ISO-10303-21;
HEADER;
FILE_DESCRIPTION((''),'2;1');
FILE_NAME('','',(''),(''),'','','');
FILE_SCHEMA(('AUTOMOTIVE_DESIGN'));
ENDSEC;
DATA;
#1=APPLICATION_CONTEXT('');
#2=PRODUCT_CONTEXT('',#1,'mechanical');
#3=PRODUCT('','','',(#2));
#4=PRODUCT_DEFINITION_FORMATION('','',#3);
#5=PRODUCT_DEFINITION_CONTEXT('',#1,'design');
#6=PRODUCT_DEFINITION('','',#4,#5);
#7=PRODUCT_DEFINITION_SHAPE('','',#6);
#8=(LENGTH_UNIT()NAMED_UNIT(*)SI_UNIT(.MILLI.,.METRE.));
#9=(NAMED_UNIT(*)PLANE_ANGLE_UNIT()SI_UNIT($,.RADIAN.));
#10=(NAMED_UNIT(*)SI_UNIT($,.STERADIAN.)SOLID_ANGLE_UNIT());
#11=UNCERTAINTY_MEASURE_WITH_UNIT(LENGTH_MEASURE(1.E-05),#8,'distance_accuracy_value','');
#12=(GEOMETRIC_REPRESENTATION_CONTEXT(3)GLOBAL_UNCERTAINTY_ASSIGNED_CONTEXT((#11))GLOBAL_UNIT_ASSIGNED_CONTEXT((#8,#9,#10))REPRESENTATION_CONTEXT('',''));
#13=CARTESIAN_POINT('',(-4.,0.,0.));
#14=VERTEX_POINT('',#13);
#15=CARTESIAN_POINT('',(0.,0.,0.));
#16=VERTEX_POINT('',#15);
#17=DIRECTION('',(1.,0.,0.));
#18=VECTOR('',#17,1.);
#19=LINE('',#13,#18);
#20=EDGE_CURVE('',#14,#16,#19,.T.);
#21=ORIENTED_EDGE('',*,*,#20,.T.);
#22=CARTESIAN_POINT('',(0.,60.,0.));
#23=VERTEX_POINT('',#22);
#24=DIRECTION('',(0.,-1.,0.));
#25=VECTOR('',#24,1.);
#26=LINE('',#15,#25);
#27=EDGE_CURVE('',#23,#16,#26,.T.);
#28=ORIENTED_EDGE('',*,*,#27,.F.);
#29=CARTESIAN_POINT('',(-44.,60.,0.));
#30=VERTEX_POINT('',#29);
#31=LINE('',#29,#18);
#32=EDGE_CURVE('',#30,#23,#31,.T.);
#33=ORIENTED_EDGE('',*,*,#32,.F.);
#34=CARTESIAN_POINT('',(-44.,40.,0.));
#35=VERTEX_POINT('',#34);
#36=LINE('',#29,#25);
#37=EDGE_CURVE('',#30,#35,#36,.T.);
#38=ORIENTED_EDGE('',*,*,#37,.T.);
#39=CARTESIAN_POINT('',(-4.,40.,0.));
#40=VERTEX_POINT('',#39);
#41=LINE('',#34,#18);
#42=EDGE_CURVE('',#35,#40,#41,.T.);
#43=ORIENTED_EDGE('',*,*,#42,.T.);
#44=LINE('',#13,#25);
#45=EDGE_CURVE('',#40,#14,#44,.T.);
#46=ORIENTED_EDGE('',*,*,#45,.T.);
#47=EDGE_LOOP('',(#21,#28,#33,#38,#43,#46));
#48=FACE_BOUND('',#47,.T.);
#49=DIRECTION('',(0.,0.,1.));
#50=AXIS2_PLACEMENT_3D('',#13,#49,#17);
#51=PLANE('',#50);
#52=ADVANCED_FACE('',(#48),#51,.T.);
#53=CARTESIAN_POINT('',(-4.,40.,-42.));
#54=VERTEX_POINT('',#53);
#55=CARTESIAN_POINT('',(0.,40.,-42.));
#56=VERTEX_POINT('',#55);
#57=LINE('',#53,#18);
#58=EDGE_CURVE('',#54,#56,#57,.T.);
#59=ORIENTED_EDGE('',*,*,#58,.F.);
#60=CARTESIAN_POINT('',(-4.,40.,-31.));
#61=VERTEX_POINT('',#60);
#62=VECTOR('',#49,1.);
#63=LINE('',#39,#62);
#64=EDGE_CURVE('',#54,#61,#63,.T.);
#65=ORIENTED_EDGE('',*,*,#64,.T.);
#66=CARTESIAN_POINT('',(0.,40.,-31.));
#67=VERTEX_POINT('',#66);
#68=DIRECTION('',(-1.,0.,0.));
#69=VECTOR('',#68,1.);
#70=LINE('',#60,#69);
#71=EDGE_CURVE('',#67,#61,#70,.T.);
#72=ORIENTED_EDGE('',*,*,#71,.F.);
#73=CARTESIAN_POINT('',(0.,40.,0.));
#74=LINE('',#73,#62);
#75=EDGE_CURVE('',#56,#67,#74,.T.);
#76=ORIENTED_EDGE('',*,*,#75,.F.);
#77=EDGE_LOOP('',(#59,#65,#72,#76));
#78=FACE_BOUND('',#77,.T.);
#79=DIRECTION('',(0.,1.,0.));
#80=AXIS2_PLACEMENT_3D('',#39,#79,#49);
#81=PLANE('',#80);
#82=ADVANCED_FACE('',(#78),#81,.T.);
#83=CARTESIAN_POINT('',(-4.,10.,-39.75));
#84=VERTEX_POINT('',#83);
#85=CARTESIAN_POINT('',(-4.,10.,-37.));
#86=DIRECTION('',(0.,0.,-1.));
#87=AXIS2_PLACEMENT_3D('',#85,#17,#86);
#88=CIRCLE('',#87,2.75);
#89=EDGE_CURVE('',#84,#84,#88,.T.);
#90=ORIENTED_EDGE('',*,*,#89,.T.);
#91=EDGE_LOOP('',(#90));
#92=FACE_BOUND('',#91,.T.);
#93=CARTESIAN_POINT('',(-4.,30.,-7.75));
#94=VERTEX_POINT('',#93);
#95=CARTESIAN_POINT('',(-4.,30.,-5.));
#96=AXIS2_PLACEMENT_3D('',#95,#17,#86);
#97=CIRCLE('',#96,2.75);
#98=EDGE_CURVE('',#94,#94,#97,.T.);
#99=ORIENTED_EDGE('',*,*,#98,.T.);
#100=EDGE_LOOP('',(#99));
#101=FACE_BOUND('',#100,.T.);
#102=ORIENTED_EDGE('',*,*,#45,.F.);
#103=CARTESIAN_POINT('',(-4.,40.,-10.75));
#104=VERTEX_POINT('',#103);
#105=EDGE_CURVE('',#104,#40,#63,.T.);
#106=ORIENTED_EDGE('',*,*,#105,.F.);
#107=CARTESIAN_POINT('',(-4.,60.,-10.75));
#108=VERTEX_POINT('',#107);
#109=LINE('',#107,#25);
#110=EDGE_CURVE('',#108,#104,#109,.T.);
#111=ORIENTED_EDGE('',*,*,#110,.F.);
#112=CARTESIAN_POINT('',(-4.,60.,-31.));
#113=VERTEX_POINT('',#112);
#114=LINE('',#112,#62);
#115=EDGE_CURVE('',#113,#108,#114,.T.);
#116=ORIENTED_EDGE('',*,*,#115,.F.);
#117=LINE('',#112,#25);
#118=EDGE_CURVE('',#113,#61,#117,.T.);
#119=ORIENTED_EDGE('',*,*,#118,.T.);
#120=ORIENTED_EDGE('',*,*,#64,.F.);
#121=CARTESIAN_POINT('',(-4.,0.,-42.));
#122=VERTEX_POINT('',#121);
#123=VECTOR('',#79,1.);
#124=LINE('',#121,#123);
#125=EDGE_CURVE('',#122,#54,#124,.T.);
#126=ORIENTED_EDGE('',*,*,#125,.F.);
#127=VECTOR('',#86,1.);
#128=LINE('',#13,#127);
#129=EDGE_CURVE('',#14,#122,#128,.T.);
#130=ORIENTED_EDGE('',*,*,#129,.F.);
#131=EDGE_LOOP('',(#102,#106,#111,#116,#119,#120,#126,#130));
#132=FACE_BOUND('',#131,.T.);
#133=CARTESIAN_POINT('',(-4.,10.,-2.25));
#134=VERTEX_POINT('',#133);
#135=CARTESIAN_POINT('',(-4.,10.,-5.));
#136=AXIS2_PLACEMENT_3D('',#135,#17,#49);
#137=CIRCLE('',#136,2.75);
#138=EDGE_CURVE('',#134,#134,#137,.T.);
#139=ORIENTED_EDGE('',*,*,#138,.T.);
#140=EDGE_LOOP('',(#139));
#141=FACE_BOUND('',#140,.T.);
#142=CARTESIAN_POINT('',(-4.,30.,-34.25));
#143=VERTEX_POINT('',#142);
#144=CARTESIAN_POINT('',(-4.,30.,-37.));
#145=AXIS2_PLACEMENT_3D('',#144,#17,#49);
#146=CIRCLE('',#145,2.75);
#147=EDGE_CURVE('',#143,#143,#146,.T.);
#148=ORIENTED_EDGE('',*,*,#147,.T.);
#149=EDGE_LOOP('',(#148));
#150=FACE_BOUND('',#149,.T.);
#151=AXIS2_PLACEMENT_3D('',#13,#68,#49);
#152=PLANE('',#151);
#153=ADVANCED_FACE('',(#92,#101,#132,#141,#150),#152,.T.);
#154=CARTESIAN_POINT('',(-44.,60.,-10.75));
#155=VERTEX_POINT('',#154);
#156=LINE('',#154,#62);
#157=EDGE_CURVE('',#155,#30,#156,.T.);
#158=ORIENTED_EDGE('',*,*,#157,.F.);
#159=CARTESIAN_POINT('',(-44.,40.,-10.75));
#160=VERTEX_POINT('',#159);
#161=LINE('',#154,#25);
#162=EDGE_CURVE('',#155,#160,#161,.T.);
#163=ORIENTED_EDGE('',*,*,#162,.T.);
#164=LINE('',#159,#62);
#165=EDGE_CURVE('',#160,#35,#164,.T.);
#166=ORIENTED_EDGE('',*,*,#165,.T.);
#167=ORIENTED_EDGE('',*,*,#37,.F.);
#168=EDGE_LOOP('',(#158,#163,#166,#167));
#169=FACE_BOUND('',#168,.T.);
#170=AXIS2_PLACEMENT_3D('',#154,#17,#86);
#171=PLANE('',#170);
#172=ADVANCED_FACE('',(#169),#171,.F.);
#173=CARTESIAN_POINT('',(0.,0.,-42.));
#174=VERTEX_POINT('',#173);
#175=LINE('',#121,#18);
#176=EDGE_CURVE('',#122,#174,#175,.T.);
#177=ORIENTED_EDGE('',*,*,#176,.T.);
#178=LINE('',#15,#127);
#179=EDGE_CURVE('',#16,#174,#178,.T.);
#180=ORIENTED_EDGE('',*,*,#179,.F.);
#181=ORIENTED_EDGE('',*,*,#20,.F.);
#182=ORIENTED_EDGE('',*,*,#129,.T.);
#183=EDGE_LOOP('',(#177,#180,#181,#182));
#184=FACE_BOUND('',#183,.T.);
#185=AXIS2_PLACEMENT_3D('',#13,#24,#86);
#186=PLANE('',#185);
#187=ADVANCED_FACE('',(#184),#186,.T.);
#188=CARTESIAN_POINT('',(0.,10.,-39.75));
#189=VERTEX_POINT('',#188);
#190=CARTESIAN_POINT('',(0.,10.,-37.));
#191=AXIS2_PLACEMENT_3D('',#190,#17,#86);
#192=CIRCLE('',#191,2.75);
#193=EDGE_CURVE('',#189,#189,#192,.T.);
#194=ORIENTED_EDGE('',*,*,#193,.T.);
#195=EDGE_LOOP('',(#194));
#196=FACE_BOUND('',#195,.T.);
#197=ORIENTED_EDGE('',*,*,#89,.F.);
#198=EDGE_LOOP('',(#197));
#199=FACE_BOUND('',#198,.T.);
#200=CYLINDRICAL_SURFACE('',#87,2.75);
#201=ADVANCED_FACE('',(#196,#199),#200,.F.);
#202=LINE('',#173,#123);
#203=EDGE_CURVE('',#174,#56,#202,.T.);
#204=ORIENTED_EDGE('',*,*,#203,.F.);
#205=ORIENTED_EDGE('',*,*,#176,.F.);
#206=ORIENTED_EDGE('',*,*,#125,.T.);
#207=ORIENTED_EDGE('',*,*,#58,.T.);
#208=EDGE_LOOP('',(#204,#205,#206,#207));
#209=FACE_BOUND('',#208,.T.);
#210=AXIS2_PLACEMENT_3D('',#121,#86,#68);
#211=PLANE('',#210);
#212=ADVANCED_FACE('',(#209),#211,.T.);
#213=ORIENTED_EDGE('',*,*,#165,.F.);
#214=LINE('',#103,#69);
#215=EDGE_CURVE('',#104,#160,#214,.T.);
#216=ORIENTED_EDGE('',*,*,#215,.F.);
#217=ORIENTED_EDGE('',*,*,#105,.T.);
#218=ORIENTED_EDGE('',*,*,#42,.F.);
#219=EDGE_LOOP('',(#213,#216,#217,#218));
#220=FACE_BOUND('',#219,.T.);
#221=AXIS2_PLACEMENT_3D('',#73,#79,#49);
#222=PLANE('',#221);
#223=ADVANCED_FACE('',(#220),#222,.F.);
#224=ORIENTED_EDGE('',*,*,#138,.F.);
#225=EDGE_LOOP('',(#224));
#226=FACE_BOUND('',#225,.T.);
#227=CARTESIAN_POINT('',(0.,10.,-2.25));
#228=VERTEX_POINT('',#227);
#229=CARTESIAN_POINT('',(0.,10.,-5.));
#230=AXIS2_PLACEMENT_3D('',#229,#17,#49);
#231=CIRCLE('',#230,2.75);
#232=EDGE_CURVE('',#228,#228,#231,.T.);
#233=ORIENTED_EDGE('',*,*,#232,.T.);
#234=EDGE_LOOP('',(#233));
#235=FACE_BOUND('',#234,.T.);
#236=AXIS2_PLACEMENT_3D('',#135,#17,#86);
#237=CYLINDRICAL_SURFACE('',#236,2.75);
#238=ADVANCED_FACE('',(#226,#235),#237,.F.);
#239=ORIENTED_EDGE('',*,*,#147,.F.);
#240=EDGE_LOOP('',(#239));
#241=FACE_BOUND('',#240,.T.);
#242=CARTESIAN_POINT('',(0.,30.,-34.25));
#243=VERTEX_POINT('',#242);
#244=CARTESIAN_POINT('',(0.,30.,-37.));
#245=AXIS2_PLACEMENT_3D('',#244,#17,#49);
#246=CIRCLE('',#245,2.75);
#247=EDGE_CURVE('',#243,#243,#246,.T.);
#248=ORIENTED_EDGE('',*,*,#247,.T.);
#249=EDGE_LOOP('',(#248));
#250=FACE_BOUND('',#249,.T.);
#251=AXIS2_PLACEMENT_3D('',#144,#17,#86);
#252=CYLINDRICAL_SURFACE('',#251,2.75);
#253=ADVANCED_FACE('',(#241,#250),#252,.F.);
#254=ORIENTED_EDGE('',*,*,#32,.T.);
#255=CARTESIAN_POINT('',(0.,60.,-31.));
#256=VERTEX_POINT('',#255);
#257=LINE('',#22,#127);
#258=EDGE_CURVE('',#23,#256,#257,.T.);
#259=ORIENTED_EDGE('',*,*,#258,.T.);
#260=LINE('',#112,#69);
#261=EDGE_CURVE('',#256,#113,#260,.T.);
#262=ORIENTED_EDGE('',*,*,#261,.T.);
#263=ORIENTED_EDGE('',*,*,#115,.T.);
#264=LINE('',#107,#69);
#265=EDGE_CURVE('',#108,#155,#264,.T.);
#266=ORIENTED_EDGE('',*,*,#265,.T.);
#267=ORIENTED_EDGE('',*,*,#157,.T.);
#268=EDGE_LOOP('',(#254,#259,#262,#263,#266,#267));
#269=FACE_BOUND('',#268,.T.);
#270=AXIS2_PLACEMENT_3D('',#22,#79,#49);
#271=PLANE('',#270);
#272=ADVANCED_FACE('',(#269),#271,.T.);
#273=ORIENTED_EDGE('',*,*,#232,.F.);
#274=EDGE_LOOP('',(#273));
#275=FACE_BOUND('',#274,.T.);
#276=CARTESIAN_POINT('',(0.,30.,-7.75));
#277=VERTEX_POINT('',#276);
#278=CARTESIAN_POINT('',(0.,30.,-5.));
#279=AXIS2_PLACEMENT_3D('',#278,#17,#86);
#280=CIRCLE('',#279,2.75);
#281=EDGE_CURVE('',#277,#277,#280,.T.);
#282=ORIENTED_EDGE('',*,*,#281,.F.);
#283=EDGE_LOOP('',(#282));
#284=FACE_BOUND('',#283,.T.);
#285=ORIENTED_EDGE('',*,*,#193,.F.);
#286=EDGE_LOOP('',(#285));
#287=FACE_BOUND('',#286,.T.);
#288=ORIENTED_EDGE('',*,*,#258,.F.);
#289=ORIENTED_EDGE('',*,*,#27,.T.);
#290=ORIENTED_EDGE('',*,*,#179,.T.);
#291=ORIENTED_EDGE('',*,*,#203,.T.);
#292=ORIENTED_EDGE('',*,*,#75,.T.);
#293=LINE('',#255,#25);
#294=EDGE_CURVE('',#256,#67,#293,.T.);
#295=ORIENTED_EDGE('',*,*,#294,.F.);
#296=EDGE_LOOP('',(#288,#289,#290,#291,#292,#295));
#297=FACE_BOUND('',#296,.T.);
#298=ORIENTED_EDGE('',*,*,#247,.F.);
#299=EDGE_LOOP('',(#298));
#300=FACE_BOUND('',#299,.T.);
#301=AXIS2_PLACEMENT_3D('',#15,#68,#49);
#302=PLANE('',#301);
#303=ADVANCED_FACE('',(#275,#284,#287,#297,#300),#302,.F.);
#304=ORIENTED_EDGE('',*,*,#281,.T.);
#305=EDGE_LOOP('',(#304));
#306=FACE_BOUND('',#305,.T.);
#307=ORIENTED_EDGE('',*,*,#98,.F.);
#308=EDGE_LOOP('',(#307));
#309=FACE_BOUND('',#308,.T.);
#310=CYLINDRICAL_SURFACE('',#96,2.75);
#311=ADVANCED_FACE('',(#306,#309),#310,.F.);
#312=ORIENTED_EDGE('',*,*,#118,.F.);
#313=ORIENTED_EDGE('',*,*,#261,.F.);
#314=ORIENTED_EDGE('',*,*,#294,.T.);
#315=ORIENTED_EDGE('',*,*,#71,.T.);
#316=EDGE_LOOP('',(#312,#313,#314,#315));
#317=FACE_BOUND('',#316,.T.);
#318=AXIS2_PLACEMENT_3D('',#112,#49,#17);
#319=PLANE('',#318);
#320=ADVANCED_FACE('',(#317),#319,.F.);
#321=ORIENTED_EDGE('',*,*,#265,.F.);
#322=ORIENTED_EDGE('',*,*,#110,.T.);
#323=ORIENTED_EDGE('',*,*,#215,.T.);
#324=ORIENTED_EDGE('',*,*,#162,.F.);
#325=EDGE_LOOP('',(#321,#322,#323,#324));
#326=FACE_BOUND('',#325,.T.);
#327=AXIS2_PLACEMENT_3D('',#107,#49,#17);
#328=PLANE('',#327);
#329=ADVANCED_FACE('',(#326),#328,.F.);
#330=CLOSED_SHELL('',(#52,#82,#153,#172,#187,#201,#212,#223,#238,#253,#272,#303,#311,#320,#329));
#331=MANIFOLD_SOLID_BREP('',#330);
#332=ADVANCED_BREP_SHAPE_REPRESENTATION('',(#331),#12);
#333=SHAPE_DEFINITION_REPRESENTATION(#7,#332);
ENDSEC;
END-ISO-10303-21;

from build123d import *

# Parameters (mm, degrees)
SKETCH1_W           = 42
SKETCH1_H           = 40
SKETCH1_R           = 2.75
BOSS_EXTRUDE1_DEPTH = 4
BOSS_EXTRUDE2_DEPTH = 20


with BuildPart() as part:
    # Sketch1 → Boss-Extrude1 (new body)
    with BuildSketch(Plane(origin=(0, 0, 0), x_dir=(0, 0, -1), z_dir=(1, 0, 0))):
        with Locations((21, 20)):
            Rectangle(SKETCH1_W, SKETCH1_H)
        with Locations((5, 30)):
            Circle(SKETCH1_R, mode=Mode.SUBTRACT)
        with Locations((5, 10)):
            Circle(SKETCH1_R, mode=Mode.SUBTRACT)
        with Locations((37, 10)):
            Circle(SKETCH1_R, mode=Mode.SUBTRACT)
        with Locations((37, 30)):
            Circle(SKETCH1_R, mode=Mode.SUBTRACT)
    extrude(amount=-BOSS_EXTRUDE1_DEPTH)

    # Sketch3 → Boss-Extrude2 (add)
    with BuildSketch(Plane(origin=(0, 40, 0), x_dir=(1, 0, 0), z_dir=(0, 1, 0))):
        Polygon((-4, 31), (-4, 10.75), (-44, 10.75), (-44, 0), (0, 0), (0, 31), align=None)
    extrude(amount=BOSS_EXTRUDE2_DEPTH)


solid = part.part
